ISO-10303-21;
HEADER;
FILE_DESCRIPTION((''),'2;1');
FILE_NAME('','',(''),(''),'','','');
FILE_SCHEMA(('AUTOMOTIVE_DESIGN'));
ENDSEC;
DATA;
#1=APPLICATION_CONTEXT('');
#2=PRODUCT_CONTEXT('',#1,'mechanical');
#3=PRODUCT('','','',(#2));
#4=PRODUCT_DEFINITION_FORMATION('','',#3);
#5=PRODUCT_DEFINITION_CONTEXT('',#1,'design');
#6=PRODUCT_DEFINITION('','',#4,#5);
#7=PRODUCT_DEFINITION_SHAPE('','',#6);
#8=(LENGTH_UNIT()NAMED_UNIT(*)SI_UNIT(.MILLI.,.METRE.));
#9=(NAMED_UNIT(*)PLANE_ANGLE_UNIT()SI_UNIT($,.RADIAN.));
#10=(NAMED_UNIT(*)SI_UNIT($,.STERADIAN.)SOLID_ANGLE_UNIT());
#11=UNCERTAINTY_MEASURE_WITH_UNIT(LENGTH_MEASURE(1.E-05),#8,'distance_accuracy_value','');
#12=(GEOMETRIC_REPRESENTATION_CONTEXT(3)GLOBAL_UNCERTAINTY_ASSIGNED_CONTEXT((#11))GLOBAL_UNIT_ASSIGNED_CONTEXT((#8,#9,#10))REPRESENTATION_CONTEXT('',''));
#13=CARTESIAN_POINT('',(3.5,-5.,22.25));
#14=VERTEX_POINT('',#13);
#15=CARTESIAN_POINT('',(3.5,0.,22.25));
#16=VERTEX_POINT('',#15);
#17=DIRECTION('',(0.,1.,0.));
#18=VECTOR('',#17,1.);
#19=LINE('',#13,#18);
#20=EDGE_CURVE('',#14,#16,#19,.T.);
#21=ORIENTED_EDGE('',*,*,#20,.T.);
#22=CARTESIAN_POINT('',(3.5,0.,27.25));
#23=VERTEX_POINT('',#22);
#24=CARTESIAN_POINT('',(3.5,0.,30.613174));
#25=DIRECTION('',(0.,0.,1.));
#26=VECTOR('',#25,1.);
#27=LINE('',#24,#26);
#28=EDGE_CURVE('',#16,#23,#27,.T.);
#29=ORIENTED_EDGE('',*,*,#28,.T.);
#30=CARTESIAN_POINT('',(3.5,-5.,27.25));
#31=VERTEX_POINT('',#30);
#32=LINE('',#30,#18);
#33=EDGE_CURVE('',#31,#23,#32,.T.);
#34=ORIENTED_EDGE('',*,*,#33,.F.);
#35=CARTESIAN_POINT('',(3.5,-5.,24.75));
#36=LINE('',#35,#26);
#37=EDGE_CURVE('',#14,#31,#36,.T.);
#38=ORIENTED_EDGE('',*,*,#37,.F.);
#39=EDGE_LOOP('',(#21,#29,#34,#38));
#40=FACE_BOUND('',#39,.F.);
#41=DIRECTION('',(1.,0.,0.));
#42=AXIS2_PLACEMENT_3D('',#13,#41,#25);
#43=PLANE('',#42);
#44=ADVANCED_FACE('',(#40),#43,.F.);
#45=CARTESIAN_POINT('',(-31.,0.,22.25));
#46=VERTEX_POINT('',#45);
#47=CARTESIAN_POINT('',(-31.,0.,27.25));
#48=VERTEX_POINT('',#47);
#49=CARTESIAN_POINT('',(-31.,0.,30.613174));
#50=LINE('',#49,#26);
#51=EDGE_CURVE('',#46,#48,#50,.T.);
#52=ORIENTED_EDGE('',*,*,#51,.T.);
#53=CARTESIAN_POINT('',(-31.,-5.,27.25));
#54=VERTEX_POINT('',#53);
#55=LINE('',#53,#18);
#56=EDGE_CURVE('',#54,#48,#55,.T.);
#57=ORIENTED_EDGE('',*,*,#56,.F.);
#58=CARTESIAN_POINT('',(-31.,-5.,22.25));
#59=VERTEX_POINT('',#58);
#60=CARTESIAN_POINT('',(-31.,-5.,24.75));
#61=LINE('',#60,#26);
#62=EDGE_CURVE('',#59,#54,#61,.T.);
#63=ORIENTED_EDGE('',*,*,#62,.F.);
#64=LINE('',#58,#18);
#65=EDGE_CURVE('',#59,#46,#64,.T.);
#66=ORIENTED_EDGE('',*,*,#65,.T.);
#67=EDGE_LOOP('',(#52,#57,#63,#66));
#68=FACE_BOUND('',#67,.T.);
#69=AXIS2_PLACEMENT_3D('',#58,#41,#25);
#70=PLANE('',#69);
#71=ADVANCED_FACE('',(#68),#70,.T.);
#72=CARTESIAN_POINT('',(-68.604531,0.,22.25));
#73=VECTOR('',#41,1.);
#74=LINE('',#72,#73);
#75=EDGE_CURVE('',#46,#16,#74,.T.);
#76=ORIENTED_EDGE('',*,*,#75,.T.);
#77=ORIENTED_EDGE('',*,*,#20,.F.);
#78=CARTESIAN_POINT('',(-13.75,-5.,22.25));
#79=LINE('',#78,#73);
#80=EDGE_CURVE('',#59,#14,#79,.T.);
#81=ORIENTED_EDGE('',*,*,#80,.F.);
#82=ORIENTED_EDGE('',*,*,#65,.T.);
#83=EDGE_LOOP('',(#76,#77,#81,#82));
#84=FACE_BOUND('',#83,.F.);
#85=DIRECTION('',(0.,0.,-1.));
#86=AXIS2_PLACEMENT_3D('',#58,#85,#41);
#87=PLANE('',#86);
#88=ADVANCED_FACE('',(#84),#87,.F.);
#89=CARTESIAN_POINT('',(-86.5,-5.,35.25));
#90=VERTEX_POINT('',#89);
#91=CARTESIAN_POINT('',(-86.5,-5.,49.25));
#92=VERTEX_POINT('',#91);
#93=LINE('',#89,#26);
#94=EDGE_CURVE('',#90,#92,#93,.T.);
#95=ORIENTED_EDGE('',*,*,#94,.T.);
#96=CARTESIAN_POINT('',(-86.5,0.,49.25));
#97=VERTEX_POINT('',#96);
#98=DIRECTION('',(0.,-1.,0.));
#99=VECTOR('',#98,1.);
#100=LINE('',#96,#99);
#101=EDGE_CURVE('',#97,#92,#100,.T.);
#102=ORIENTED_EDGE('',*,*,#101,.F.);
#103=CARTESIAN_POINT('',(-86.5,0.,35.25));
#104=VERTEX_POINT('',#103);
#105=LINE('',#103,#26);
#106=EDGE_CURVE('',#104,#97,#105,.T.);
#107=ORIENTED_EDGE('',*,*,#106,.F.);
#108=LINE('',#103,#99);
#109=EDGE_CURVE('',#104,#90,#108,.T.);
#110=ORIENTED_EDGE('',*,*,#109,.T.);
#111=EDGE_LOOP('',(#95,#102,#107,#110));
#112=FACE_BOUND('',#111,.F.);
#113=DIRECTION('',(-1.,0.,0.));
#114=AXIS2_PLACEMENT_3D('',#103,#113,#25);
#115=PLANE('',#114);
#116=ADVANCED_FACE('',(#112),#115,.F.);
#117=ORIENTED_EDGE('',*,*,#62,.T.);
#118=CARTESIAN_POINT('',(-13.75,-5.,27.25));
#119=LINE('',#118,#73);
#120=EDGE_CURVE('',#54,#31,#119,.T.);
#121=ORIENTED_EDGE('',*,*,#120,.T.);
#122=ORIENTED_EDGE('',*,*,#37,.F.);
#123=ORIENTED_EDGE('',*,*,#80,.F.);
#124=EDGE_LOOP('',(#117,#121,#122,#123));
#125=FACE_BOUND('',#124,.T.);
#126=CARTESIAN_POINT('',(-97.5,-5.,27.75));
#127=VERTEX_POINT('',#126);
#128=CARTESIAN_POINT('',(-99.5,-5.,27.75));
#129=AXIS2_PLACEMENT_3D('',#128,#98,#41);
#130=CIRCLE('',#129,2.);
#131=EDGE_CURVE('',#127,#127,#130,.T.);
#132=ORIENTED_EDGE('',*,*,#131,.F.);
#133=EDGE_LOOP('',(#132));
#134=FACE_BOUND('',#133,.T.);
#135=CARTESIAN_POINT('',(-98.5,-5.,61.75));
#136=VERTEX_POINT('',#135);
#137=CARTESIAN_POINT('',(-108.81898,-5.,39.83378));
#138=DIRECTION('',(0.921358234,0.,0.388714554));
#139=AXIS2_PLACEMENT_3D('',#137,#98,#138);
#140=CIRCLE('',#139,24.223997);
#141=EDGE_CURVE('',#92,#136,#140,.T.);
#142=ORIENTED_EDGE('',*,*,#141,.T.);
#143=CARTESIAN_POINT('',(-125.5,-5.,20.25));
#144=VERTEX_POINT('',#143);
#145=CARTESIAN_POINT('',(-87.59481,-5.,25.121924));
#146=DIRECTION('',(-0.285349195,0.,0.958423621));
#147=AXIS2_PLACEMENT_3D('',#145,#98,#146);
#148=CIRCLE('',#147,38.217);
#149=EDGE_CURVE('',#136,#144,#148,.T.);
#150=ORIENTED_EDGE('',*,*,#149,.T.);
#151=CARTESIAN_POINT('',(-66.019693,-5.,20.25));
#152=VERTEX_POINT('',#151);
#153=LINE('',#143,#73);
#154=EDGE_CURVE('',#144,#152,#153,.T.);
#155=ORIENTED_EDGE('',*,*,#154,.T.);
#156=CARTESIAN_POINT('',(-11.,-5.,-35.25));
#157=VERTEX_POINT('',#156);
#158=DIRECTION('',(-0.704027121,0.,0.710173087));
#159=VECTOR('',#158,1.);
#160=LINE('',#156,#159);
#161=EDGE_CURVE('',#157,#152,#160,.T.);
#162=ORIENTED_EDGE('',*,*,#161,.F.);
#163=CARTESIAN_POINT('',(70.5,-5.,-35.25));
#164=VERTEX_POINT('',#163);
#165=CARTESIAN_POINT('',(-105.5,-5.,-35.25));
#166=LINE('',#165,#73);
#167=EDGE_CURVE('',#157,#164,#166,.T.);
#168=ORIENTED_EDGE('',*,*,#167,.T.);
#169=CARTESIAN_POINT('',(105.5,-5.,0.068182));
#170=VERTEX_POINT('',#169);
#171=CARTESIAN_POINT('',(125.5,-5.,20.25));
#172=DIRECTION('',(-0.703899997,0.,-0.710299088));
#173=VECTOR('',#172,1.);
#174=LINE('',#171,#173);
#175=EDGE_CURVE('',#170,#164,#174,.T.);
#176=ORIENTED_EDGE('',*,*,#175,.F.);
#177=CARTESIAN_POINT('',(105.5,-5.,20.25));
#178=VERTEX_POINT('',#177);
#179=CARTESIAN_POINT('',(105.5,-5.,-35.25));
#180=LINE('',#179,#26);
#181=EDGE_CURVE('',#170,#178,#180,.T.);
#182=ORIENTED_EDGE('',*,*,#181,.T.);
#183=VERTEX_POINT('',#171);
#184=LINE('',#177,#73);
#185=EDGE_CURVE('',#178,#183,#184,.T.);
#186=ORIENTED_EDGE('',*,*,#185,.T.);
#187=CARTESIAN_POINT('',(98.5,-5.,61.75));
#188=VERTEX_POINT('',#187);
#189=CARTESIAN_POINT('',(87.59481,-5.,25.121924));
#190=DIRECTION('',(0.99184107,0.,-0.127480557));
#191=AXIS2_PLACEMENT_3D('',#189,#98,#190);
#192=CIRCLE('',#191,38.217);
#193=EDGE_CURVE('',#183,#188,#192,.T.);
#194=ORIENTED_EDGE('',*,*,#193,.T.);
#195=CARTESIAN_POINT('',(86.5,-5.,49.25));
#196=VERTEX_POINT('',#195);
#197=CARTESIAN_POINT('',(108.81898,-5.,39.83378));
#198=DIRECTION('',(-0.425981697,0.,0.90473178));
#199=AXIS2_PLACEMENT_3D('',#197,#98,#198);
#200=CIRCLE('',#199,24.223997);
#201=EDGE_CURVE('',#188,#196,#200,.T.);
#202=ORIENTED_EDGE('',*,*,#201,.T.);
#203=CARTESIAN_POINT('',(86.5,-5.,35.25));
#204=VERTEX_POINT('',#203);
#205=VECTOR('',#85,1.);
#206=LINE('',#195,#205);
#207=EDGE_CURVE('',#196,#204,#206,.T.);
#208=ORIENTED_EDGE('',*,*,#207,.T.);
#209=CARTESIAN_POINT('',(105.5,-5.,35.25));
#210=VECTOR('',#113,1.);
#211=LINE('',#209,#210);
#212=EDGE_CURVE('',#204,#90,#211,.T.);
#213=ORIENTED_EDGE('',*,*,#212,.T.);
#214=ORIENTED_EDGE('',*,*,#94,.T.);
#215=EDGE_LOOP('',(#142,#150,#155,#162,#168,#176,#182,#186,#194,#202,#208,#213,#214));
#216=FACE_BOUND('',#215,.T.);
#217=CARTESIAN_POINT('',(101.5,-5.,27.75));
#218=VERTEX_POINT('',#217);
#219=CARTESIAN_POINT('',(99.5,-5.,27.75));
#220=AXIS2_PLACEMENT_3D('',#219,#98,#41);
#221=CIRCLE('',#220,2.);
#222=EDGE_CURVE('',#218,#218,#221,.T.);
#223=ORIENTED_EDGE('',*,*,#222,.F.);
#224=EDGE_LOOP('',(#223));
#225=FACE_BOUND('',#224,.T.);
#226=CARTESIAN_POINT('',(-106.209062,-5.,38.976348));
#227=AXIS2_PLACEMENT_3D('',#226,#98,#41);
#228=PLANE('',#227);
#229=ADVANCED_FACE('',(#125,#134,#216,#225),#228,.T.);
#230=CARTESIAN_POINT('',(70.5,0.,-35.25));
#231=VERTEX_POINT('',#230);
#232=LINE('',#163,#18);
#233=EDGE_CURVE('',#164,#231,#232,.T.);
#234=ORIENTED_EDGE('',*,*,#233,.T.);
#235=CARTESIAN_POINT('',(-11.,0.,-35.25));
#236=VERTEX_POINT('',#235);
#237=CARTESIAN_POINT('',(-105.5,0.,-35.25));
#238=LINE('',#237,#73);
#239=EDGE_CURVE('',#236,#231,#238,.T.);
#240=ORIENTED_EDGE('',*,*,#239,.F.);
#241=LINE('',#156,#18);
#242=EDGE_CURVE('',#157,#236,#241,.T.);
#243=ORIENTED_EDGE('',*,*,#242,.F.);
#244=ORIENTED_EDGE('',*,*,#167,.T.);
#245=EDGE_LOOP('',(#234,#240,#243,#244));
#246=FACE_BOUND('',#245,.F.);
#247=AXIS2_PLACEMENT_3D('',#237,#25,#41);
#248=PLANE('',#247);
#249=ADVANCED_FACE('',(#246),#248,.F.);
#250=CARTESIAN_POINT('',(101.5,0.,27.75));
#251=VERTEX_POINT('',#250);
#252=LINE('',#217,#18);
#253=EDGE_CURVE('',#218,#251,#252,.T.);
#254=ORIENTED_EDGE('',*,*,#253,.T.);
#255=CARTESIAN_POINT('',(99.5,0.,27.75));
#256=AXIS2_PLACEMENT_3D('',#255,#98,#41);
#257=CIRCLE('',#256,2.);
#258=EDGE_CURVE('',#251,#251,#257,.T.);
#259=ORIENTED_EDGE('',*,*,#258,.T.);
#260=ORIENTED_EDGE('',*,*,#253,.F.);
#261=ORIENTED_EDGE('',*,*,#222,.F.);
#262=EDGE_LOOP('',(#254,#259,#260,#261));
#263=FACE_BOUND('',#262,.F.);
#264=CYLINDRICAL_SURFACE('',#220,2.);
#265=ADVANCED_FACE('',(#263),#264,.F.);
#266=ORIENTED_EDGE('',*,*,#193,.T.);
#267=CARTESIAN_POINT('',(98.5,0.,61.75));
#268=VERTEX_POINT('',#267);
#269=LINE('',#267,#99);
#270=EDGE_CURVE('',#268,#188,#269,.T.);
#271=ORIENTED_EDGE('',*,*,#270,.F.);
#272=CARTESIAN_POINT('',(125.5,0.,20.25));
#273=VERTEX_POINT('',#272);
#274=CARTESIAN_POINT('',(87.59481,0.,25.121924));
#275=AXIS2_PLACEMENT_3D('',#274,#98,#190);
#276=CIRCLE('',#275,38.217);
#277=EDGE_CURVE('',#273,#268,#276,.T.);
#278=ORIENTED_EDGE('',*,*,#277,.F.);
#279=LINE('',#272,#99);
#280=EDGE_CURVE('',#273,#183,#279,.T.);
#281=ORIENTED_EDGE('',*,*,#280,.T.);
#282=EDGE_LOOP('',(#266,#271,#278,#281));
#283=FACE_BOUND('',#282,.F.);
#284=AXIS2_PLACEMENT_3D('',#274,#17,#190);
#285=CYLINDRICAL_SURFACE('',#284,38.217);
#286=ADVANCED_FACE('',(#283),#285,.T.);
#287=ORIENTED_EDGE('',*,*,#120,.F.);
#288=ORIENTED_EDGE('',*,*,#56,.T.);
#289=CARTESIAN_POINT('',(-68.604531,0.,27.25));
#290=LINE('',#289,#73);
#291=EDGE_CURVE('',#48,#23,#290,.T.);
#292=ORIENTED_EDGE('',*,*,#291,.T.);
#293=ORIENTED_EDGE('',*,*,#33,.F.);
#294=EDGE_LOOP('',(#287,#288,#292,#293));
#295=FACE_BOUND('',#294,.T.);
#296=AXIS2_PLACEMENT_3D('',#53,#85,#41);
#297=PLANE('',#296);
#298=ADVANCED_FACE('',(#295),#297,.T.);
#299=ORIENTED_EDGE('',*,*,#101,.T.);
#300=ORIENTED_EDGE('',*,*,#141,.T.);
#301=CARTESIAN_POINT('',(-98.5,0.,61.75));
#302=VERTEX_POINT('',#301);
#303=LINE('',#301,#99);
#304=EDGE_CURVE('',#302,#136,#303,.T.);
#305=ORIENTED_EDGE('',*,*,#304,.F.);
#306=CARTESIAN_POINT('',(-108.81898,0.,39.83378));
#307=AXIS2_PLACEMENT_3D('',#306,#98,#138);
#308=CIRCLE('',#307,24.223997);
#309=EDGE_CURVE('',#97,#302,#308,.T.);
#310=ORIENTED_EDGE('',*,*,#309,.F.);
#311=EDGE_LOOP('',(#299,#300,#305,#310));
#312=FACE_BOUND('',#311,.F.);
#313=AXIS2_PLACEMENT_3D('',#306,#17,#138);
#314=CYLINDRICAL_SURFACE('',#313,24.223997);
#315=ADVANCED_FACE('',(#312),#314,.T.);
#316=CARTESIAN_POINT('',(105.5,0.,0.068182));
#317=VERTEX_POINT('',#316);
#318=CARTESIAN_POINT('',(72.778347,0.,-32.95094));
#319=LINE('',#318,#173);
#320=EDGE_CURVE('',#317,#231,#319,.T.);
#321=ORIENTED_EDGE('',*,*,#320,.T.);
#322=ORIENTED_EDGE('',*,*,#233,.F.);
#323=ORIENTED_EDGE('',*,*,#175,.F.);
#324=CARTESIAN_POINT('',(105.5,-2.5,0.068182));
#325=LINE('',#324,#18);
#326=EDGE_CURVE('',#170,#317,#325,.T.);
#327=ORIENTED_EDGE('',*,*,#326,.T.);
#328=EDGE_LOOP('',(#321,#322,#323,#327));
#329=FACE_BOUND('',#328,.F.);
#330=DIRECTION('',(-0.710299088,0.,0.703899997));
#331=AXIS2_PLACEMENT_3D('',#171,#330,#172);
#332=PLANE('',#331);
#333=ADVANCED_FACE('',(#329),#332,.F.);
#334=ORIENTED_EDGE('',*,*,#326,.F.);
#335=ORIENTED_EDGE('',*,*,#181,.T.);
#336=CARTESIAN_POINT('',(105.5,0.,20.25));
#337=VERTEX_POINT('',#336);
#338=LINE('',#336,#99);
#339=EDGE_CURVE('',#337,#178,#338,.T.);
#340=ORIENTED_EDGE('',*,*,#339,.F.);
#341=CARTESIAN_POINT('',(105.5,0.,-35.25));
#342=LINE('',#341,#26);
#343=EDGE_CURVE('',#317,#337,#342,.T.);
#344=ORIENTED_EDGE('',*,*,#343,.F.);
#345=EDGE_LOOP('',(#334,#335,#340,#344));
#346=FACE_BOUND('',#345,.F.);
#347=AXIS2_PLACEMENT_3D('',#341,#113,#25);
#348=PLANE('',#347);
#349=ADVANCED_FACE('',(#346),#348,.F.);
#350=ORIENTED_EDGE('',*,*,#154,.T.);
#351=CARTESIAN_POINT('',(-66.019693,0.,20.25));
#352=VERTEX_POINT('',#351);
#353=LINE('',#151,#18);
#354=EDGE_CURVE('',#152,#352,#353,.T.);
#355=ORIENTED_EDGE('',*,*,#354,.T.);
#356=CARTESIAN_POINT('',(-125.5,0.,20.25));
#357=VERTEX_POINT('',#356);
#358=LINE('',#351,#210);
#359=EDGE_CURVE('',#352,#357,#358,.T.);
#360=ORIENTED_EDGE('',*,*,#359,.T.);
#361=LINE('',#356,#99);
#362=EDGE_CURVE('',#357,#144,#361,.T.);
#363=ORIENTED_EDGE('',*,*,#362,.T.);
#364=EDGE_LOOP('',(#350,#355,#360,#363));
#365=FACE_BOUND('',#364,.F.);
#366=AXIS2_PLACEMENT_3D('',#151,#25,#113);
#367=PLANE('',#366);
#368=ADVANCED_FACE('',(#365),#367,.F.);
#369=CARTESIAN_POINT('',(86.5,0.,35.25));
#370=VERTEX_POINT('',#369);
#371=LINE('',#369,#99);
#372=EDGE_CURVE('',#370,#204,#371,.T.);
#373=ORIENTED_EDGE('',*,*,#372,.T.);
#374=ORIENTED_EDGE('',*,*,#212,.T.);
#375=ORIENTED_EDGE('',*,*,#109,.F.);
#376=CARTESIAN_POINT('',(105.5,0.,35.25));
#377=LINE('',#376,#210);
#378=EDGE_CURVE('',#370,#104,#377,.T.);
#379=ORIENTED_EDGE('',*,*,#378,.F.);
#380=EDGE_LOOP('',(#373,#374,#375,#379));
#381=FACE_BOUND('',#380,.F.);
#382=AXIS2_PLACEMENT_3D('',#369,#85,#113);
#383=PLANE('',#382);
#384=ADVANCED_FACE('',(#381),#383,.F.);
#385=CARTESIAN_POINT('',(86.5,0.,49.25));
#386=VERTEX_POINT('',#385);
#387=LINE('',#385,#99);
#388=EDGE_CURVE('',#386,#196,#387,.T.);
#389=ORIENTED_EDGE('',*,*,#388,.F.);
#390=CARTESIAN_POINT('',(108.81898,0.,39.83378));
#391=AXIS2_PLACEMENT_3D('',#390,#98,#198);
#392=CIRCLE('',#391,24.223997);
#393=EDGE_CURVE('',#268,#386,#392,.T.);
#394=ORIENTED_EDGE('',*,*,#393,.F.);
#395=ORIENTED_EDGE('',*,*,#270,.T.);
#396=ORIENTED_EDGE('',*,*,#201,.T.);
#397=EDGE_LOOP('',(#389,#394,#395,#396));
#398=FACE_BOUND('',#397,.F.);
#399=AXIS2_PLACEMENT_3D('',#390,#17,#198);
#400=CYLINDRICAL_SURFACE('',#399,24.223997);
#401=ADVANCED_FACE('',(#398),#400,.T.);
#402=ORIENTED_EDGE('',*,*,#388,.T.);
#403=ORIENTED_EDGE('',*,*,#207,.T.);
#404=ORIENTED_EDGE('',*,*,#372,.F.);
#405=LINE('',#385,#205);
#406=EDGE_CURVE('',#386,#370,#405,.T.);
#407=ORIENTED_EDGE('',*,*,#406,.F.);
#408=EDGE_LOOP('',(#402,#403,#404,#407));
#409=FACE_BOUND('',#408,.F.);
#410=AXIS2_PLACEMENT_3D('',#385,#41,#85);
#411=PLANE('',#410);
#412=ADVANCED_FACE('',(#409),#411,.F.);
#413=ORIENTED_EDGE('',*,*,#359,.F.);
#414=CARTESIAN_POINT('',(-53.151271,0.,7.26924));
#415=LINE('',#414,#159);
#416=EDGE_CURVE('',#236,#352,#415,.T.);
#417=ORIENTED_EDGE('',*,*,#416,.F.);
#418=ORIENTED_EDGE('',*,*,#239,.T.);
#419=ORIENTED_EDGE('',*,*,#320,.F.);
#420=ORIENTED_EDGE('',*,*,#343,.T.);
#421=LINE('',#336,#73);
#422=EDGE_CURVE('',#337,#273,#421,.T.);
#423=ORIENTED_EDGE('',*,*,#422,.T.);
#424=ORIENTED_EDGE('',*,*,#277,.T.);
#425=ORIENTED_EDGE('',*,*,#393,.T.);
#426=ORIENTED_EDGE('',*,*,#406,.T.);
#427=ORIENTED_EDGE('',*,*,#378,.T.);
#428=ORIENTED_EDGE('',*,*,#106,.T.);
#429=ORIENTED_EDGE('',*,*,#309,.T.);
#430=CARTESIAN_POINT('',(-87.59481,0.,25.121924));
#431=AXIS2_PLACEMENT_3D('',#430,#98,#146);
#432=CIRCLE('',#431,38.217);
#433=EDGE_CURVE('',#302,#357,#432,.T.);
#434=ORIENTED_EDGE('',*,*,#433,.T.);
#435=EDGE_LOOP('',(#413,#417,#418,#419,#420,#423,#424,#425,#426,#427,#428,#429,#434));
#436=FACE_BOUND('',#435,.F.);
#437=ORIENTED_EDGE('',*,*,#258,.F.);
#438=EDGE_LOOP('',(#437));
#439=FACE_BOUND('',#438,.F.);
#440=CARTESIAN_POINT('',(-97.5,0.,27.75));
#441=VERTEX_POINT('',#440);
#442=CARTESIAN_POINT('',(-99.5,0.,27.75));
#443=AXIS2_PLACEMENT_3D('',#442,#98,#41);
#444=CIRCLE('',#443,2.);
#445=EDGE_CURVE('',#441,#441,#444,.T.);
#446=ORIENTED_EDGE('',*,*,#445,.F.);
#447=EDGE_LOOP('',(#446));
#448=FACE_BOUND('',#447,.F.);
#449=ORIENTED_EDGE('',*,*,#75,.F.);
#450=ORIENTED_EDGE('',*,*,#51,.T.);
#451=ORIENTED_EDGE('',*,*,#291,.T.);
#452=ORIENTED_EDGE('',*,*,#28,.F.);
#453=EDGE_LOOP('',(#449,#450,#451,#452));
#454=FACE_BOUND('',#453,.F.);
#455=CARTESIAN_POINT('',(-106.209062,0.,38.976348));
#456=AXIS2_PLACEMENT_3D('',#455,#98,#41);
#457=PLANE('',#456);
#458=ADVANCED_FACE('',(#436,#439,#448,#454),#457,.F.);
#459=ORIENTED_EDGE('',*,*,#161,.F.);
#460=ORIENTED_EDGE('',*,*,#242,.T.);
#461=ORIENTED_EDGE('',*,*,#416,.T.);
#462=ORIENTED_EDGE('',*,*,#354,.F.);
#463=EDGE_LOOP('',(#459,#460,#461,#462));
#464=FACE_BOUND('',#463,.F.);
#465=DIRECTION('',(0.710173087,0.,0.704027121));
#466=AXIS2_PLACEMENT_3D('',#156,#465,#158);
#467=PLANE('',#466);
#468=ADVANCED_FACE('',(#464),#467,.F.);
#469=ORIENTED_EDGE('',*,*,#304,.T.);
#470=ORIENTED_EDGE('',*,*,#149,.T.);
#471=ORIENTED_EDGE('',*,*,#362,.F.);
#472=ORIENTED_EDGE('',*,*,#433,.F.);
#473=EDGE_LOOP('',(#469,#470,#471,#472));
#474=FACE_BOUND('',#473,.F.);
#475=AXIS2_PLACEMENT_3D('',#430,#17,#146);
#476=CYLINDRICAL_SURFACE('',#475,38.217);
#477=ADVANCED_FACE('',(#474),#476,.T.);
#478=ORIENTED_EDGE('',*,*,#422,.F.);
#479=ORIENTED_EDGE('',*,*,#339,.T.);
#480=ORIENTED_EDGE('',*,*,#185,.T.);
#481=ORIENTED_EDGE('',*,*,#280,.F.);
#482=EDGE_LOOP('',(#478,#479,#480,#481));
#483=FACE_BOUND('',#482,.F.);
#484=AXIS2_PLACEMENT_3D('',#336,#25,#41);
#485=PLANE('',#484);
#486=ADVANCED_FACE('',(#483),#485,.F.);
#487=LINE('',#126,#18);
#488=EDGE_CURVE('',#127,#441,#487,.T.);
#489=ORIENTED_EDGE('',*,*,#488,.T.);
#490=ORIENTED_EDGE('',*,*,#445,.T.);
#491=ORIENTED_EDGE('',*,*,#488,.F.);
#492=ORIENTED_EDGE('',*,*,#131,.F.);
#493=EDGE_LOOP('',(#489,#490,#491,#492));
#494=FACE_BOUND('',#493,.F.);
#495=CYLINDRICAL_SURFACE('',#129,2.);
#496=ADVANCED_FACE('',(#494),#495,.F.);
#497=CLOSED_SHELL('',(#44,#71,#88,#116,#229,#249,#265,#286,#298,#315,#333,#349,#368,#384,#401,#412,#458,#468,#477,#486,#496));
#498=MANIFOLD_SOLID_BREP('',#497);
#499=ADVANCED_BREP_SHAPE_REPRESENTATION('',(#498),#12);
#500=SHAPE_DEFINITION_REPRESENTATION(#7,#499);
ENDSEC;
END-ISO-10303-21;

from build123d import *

# Parameters (mm, degrees)
F1_DEPTH = 5
F2_W     = 34.5
F2_H     = 5
F3_DEPTH = 25
F4_R     = 2
F5_DEPTH = 25


with BuildPart() as f1:
    # F0 (on Front) → F1 (new body)
    with BuildSketch(Plane.XZ):
        with BuildLine():
            Line((-105.5, 20.25), (-105.5, 35.25))
            Line((-105.5, 35.25), (-86.5, 35.25))
            Line((-86.5, 35.25), (-86.5, 49.25))
            ThreePointArc((-86.5, 49.25), (-91.344095, 56.609669), (-98.5, 61.75))
            ThreePointArc((-98.5, 61.75), (-119.628789, 45.963308), (-125.5, 20.25))
            Line((-125.5, 20.25), (-105.5, 20.25))
        make_face()
        Polygon((-86.5, 35.25), (-105.5, 35.25), (-105.5, 20.25), (-105.5, -35.25), (105.5, -35.25), (105.5, 20.25), (105.5, 35.25), (86.5, 35.25), align=None)
        with BuildLine():
            Line((86.5, 49.25), (86.5, 35.25))
            Line((86.5, 35.25), (105.5, 35.25))
            Line((105.5, 35.25), (105.5, 20.25))
            Line((105.5, 20.25), (125.5, 20.25))
            ThreePointArc((125.5, 20.25), (119.628789, 45.963308), (98.5, 61.75))
            ThreePointArc((98.5, 61.75), (91.344095, 56.609669), (86.5, 49.25))
        make_face()
    extrude(amount=F1_DEPTH)

    # F2 (on face) → F3 (cut)
    with BuildSketch(Plane.XZ.offset(5)):
        Polygon((125.5, 20.25), (70.5, -35.25), (119.704917, -35.25), align=None)
        Polygon((-105.5, -35.25), (-11, -35.25), (-66.019693, 20.25), (-105.5, 20.25), align=None)
        with Locations((-13.75, 24.75)):
            Rectangle(F2_W, F2_H)
    extrude(amount=-F3_DEPTH, mode=Mode.SUBTRACT)

    # F4 (on face) → F5 (cut)
    with BuildSketch(Plane.XZ.offset(5)):
        with Locations((-99.5, 27.75)):
            Circle(F4_R)
        with Locations((99.5, 27.75)):
            Circle(F4_R)
    extrude(amount=-F5_DEPTH, mode=Mode.SUBTRACT)


solid = f1.part
